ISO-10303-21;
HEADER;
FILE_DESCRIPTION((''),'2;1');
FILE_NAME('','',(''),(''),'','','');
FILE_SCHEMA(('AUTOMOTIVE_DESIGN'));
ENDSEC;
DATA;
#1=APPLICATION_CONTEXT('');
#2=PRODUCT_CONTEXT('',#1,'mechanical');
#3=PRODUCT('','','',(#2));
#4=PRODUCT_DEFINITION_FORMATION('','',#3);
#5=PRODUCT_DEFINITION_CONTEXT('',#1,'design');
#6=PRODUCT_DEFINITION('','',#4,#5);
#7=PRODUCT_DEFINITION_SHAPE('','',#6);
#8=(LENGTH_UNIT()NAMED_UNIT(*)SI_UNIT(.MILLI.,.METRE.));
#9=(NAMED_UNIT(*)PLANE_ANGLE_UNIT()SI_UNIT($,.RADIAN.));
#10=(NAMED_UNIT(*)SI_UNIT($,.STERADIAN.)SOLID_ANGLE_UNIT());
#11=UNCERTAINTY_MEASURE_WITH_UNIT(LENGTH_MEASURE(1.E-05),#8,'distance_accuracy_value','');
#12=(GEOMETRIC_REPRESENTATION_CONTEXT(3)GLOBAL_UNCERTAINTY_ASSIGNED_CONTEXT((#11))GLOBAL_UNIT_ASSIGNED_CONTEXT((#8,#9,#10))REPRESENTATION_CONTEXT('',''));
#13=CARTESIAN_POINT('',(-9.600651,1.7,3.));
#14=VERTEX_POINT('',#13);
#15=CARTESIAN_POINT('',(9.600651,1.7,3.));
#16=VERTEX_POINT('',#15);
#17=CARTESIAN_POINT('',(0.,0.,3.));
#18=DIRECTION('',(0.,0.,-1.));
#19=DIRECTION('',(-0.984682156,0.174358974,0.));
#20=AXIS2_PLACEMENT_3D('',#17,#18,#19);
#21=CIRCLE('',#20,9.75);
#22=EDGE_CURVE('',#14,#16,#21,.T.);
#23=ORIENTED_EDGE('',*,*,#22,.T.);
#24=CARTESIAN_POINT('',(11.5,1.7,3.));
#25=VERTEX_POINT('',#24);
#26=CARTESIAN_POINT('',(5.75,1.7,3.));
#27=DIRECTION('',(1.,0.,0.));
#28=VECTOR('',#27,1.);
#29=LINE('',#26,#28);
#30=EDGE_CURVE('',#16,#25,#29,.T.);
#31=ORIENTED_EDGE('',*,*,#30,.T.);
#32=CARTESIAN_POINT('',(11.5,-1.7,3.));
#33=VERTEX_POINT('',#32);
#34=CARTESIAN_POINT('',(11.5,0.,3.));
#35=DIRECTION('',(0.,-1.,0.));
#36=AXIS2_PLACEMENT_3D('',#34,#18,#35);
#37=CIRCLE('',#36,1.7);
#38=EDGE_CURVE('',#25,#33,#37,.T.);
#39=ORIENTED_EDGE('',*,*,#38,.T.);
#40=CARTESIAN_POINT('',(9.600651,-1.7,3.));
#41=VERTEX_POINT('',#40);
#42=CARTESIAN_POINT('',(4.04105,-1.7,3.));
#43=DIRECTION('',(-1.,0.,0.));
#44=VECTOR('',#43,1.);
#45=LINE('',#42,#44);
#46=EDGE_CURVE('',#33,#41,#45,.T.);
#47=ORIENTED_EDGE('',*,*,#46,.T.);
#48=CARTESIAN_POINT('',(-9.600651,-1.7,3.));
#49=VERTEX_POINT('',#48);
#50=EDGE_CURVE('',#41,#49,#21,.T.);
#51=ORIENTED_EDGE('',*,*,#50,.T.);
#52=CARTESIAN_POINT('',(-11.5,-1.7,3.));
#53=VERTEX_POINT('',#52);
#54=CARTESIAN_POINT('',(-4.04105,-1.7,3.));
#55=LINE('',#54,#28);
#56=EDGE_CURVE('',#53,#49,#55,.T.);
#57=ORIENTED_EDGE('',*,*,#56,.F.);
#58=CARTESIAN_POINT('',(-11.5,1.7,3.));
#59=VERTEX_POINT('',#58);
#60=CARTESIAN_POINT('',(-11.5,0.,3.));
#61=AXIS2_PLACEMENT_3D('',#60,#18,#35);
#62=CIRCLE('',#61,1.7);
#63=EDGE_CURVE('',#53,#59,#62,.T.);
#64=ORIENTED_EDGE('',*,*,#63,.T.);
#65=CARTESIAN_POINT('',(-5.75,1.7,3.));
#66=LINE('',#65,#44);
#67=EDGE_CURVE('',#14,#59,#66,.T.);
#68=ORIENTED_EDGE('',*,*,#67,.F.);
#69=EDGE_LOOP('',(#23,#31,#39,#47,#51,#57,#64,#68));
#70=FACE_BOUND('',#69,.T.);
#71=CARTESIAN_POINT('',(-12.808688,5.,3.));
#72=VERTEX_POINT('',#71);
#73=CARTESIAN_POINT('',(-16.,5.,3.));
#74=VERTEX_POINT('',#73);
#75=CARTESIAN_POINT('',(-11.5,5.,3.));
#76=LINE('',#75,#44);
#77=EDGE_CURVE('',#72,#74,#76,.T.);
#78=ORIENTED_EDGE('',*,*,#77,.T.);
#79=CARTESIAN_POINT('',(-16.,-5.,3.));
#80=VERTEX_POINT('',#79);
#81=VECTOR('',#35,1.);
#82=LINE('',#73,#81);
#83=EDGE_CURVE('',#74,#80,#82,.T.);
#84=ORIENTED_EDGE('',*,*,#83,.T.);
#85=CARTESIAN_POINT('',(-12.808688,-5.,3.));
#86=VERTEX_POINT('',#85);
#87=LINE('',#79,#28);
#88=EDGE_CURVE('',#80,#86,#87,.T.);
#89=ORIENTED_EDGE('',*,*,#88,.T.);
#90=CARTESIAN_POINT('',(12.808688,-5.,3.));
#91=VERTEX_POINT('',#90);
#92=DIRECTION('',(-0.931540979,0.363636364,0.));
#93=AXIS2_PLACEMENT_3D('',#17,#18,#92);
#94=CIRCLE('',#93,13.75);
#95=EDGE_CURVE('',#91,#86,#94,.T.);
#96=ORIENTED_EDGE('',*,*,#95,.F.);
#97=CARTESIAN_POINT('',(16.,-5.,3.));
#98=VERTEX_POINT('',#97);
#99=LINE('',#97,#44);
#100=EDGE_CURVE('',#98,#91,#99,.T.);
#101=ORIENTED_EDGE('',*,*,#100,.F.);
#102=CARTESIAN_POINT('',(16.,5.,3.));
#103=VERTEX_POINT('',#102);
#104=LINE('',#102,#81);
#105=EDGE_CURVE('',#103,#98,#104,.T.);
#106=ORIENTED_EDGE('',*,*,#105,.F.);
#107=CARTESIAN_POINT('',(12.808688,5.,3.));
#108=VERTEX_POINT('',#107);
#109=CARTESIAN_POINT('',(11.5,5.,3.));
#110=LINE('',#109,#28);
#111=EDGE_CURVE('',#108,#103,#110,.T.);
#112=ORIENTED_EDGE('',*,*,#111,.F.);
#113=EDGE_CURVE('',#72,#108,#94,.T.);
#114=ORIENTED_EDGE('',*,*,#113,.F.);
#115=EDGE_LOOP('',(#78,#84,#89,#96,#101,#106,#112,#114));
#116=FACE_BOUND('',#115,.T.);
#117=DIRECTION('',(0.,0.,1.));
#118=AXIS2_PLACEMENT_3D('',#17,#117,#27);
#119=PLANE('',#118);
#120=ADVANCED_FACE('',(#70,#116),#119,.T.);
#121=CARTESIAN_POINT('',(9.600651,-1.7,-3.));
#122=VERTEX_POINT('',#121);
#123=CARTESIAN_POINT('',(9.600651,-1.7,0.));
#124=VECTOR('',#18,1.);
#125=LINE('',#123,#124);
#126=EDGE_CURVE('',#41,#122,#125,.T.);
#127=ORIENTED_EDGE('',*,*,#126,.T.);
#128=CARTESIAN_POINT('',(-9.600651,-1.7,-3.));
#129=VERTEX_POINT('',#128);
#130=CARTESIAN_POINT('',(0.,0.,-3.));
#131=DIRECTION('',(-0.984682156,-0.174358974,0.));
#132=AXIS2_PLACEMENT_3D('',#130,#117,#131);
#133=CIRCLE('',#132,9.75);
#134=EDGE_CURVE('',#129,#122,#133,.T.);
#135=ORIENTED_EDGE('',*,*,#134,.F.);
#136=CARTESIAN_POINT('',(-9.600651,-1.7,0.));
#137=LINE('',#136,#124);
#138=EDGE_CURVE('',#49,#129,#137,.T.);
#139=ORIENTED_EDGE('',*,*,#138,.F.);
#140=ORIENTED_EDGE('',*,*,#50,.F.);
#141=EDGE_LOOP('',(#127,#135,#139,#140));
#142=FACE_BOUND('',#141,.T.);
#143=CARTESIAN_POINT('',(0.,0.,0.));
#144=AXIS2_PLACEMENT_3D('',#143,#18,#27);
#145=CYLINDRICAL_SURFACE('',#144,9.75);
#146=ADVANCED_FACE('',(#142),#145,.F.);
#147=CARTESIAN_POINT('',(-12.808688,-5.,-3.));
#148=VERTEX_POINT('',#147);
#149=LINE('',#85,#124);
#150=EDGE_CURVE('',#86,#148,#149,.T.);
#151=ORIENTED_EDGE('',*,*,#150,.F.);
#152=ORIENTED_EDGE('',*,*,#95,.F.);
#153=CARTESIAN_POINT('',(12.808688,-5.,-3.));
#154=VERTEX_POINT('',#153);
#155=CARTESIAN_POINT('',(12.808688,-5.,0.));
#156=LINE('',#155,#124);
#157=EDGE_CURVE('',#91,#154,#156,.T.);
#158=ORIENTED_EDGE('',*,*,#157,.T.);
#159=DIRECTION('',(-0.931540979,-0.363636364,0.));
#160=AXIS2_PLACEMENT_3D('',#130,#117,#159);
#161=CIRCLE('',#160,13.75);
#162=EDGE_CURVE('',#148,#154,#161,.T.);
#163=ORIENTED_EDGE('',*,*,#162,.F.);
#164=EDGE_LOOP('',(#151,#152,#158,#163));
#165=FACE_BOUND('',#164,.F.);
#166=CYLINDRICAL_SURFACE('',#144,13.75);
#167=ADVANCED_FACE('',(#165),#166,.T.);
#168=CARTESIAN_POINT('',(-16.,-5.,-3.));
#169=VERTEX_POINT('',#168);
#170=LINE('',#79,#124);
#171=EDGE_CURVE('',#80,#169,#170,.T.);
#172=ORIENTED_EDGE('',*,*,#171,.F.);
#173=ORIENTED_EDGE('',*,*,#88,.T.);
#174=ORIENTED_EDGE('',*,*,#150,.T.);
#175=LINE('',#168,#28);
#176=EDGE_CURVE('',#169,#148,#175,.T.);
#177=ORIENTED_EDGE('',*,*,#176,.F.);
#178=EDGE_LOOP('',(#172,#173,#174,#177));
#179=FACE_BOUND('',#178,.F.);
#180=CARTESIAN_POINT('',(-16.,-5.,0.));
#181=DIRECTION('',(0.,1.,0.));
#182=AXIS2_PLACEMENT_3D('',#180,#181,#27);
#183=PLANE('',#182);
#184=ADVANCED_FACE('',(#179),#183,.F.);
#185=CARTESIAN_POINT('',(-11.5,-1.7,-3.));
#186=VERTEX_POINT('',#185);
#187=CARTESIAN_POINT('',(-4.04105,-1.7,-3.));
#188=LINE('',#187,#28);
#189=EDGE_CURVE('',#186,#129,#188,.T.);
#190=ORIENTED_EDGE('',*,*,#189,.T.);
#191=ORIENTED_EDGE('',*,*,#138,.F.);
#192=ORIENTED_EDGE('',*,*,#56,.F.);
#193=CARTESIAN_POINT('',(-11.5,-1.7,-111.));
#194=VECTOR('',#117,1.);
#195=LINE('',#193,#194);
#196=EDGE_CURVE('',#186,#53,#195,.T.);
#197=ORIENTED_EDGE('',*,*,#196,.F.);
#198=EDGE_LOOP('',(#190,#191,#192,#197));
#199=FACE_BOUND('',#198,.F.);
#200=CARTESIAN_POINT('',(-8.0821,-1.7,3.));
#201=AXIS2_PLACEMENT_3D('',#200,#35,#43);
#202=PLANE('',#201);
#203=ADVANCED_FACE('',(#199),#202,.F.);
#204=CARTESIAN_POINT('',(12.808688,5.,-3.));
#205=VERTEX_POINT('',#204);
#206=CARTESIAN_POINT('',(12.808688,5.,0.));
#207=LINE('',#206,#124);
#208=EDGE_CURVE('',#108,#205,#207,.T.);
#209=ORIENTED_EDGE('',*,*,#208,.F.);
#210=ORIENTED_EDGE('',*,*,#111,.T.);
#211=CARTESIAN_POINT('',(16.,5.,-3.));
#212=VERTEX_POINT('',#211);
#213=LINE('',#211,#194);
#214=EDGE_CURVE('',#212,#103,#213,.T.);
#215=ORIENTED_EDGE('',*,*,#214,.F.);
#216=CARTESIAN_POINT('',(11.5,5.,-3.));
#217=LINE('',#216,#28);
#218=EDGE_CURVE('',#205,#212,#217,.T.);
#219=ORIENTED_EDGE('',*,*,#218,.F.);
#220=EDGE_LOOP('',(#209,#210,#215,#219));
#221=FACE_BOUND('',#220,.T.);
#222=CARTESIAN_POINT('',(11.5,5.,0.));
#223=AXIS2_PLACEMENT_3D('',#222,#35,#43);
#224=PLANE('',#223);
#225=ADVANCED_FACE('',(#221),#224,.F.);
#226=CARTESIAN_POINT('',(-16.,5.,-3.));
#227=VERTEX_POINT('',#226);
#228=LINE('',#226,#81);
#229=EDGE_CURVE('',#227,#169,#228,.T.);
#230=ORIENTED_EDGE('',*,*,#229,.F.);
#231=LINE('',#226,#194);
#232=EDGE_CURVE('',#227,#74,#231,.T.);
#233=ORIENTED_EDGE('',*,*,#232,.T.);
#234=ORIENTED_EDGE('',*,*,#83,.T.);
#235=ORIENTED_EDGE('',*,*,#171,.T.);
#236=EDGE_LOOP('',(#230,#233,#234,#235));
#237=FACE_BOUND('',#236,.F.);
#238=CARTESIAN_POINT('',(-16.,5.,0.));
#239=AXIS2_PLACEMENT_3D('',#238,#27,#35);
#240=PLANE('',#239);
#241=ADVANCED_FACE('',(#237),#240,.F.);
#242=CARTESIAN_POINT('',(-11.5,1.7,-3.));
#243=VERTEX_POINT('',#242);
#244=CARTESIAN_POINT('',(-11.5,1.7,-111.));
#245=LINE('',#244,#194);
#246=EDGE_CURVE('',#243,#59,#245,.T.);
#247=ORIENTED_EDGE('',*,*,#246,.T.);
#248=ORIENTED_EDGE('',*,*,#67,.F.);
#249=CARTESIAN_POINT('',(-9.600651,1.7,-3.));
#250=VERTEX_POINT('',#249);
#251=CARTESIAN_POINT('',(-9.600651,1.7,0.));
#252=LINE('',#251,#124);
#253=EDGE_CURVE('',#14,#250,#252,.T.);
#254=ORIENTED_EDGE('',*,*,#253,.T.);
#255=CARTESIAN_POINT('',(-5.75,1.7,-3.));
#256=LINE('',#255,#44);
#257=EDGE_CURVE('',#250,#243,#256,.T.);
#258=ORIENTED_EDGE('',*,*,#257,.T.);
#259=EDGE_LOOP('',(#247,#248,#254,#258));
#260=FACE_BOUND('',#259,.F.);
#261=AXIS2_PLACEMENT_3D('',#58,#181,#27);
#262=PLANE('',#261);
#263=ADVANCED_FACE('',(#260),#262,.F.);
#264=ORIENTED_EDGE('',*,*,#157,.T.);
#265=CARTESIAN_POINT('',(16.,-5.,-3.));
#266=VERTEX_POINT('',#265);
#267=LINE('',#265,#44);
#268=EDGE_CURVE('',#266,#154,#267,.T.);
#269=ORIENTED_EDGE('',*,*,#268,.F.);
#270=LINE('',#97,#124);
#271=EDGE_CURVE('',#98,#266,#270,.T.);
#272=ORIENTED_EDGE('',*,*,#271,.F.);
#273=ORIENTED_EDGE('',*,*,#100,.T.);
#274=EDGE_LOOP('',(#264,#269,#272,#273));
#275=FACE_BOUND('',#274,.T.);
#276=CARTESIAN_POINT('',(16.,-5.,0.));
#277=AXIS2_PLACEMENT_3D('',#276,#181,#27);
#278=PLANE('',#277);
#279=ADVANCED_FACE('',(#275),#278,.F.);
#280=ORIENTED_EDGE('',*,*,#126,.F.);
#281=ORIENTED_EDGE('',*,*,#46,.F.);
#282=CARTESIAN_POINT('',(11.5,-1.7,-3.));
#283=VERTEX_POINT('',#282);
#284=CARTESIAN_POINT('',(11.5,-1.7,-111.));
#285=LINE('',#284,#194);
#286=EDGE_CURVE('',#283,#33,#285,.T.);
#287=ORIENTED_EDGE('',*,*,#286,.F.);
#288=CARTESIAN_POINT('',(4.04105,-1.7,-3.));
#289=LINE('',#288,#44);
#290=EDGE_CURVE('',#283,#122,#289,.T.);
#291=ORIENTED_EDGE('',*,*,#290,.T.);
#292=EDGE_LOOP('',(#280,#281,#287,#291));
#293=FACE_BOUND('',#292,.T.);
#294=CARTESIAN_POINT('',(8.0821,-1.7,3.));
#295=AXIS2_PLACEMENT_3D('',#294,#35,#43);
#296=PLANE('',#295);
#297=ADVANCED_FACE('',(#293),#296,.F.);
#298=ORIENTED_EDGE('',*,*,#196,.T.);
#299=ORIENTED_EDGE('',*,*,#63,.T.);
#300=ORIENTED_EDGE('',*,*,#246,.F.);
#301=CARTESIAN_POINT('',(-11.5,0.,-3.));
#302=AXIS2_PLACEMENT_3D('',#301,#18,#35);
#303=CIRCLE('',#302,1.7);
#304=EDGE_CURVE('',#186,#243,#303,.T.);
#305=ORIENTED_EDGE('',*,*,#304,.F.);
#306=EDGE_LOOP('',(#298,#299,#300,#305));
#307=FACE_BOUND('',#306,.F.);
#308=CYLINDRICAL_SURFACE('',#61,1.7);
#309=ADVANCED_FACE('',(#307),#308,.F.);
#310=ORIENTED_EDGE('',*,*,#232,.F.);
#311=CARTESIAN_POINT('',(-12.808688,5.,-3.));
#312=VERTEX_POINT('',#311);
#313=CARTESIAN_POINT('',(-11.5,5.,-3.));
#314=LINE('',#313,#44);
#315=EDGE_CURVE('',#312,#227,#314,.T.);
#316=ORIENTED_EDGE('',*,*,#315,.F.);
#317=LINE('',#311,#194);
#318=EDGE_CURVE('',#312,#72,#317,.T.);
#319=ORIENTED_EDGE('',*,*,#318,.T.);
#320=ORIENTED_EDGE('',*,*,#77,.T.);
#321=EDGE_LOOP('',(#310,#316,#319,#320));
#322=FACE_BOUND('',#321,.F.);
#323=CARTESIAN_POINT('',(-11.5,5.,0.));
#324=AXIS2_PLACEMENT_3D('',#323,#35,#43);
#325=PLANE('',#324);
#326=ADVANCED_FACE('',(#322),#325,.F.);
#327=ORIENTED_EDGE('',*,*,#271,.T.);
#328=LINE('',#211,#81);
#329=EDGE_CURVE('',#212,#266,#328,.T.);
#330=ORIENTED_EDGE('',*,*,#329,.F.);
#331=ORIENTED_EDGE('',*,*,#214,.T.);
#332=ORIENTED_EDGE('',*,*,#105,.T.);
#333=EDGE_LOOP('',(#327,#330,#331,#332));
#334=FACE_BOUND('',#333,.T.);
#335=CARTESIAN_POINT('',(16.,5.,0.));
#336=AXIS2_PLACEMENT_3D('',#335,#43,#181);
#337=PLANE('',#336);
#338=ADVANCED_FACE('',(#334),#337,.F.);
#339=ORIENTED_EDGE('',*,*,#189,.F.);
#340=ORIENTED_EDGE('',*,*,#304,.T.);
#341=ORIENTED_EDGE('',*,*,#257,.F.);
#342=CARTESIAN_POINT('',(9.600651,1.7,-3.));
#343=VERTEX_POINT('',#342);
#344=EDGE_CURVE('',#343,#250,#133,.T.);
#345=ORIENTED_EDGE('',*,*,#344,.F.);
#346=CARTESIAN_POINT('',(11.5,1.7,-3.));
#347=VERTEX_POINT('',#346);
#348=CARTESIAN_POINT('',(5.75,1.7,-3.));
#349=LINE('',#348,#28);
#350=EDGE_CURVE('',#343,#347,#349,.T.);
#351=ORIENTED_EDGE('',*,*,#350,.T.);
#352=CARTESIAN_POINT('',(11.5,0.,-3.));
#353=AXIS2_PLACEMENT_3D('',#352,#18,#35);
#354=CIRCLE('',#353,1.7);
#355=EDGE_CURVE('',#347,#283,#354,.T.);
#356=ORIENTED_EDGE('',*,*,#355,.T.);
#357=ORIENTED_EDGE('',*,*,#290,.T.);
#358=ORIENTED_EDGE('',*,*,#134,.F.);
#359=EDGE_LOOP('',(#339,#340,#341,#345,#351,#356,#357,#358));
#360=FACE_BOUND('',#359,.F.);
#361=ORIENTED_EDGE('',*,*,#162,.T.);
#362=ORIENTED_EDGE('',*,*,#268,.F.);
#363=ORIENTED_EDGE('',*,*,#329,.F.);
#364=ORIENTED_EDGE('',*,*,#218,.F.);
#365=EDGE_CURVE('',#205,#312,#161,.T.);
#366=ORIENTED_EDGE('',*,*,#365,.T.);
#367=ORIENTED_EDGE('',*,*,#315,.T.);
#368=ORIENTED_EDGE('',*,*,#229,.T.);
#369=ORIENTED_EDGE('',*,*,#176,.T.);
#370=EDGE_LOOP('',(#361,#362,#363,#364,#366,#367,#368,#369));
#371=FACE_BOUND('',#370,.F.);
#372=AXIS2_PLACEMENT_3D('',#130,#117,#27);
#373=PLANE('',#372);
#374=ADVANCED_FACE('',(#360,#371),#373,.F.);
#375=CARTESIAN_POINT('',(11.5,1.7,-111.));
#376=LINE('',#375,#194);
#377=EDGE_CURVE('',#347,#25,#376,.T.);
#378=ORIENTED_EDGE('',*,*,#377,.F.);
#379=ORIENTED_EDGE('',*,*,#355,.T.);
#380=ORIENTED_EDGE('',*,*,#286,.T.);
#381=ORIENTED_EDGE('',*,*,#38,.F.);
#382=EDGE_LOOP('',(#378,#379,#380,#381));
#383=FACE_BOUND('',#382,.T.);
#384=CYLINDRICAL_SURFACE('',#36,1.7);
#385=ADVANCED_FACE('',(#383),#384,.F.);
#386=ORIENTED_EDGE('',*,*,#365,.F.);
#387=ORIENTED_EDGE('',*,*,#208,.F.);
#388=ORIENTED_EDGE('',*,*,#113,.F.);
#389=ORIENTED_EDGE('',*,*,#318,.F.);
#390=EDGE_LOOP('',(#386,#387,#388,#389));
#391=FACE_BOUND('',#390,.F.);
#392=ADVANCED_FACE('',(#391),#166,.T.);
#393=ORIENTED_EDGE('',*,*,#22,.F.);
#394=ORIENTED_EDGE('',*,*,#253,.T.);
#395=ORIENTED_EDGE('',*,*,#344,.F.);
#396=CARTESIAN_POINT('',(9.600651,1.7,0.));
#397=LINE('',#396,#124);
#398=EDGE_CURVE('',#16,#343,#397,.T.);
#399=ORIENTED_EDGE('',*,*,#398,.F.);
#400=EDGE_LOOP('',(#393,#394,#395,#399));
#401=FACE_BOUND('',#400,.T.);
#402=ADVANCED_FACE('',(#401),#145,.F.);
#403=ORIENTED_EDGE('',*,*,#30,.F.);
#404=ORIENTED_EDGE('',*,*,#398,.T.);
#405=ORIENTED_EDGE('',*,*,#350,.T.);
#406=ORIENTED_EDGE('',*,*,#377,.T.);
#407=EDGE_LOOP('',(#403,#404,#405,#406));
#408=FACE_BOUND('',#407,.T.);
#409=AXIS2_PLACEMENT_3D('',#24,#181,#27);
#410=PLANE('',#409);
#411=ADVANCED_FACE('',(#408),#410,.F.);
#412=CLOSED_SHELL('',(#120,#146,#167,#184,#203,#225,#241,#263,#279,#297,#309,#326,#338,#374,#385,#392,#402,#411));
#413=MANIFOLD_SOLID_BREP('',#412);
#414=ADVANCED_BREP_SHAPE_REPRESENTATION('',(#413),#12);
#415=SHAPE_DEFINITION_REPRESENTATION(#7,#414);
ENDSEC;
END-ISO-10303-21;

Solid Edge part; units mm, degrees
sketch "Sketch1" plane through (0, 0, 0) normal (0, 0, 1) x (1, 0, 0)
  circle A0 centre (0, 0) radius 13.75
  circle A1 centre (0, 0) radius 9.75
  dimension "D1" = 4
  dimension "D2" = 19.5
extrude "Protrusion1" add sketch "Sketch1" along normal mid plane 6
sketch "Sketch2" plane through (0, 0, 0) normal (0, 0, 1) x (1, 0, 0)
  line L0 (-11.5, 0) -> (-11.5, 5)
  line L1 (-11.5, 5) -> (-16, 5)
  line L2 (-16, 5) -> (-16, -5)
  line L3 (-16, -5) -> (-11.5, -5)
  line L4 (-11.5, -5) -> (-11.5, 0)
  dimension "D1" = 11.5
  dimension "D2" = 7
extrude "ExtrudedProtrusion_2" add sketch "Sketch2" along normal mid plane 6
sketch "Sketch3" plane through (-1.125, 0, 3) normal (0, 0, 1) x (0, -1, 0)
  line L0 (-1.7, -10.375) -> (-1.7, -6.9571)
  line L1 (-1.7, -6.9571) -> (1.7, -6.9571)
  line L2 (1.7, -6.9571) -> (1.7, -10.375)
  arc A0 (1.7, -10.375) -> (-1.7, -10.375) centre (0, -10.375) cw
extrude "Cutout1" cut sketch "Sketch3" along normal through all and the other way through all
mirror "Mirror1" about plane through (0, 0, 0) normal (1, 0, 0) of "ExtrudedProtrusion_2", "Cutout1"
